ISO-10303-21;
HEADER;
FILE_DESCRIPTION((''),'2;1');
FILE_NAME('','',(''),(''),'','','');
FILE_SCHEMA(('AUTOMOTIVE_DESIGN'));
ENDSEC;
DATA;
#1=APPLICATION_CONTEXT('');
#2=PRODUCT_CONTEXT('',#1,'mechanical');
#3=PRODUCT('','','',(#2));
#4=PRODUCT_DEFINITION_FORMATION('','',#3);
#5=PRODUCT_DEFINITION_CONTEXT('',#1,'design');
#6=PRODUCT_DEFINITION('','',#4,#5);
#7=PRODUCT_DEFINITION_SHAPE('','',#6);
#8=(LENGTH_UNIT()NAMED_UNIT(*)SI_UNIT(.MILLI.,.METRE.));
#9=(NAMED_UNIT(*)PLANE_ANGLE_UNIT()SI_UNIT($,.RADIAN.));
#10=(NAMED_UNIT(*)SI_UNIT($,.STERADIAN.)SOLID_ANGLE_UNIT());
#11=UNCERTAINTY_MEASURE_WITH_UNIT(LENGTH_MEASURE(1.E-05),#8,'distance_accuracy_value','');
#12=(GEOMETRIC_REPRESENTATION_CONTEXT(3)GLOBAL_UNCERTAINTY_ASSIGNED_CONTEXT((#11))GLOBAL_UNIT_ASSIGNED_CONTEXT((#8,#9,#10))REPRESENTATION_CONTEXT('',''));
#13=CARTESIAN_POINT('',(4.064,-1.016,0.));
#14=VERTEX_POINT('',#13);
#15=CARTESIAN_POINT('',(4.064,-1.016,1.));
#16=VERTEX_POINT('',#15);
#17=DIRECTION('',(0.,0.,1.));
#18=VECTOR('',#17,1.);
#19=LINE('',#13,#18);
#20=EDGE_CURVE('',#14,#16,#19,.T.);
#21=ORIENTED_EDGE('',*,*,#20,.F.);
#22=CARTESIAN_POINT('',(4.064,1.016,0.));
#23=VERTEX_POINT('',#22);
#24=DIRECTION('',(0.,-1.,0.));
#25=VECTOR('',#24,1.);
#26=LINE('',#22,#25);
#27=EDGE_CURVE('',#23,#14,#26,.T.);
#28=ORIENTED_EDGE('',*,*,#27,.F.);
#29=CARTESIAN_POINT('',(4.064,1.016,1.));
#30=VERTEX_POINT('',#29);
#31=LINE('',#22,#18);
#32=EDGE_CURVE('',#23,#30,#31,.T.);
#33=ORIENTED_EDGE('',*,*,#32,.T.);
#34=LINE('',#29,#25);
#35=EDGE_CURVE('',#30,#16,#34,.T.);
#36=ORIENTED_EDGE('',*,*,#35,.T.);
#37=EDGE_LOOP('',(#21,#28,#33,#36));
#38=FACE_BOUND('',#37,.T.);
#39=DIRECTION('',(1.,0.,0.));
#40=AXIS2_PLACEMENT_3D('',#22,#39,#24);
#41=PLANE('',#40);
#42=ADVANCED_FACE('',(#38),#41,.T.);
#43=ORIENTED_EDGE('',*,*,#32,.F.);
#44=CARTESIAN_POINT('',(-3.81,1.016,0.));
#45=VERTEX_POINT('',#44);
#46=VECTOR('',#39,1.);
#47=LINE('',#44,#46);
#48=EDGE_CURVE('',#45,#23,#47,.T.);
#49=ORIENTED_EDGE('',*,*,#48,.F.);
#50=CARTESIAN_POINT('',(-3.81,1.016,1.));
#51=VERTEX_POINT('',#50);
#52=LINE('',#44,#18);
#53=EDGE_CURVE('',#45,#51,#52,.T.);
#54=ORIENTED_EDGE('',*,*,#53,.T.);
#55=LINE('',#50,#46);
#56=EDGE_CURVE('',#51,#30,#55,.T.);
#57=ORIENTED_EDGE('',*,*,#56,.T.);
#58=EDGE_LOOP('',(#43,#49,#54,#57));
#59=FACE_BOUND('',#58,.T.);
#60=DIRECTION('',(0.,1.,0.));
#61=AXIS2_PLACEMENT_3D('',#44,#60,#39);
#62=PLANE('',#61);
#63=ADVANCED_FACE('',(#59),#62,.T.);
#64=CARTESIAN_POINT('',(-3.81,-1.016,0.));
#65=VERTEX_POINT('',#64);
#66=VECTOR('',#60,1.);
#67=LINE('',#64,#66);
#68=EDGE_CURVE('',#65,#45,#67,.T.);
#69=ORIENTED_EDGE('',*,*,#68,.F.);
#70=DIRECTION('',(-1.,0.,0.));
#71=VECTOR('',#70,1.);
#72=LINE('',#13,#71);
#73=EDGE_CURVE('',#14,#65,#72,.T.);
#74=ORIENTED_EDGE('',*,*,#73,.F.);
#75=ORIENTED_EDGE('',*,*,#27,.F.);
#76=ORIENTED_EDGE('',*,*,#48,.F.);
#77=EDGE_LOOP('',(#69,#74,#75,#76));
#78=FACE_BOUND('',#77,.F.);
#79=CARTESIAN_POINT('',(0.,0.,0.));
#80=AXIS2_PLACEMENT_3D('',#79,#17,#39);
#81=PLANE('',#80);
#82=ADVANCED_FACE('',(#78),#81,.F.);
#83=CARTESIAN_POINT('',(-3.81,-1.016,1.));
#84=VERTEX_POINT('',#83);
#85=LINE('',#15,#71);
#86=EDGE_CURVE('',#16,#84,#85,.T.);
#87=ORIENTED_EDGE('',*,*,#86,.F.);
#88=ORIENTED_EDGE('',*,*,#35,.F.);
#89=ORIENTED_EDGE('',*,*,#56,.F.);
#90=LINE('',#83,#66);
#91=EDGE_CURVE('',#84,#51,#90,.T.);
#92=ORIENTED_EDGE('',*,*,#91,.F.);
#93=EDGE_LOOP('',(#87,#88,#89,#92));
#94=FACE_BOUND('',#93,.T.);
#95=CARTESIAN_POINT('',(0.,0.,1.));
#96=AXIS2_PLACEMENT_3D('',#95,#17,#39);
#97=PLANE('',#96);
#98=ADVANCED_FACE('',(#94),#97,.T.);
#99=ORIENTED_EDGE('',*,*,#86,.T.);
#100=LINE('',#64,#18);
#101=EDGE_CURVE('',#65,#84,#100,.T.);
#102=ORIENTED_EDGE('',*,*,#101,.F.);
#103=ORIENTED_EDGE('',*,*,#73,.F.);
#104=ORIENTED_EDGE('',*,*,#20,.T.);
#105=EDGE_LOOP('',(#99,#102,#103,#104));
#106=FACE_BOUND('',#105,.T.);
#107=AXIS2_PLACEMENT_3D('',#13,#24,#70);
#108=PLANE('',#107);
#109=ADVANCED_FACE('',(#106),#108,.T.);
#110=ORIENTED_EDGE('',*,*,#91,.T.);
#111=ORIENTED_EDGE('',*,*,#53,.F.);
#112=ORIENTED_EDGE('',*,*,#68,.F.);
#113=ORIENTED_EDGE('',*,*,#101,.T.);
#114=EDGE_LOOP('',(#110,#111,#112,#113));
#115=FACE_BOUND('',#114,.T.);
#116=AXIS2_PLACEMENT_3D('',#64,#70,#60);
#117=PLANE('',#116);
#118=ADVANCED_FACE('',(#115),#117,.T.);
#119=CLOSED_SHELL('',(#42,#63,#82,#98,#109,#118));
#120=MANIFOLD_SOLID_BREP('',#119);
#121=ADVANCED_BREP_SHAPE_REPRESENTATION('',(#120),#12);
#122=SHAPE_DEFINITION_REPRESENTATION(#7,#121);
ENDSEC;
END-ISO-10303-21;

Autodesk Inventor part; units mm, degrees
ref_plane "YZ Plane" through (0, 0, 0) normal (1, 0, 0) x (0, 1, 0)
ref_plane "XZ Plane" through (0, 0, 0) normal (0, 1, 0) x (-1, 0, 0)
ref_plane "XY Plane" through (0, 0, 0) normal (0, 0, 1) x (1, 0, 0)
sketch "DO35-7, 1N4148DO35-7_42" plane through (0, 0, 0) normal (0, 0, 1) x (1, 0, 0)
  line L0 (-3.81, 1.016) -> (4.064, 1.016)
  line L1 (4.064, 1.016) -> (4.064, -1.016)
  line L2 (4.064, -1.016) -> (-3.81, -1.016)
  line L3 (-3.81, -1.016) -> (-3.81, 1.016)
extrude "Extrusion1" add sketch "DO35-7, 1N4148DO35-7_42" along normal blind 1
properties part number "1N4148DO35-7"
